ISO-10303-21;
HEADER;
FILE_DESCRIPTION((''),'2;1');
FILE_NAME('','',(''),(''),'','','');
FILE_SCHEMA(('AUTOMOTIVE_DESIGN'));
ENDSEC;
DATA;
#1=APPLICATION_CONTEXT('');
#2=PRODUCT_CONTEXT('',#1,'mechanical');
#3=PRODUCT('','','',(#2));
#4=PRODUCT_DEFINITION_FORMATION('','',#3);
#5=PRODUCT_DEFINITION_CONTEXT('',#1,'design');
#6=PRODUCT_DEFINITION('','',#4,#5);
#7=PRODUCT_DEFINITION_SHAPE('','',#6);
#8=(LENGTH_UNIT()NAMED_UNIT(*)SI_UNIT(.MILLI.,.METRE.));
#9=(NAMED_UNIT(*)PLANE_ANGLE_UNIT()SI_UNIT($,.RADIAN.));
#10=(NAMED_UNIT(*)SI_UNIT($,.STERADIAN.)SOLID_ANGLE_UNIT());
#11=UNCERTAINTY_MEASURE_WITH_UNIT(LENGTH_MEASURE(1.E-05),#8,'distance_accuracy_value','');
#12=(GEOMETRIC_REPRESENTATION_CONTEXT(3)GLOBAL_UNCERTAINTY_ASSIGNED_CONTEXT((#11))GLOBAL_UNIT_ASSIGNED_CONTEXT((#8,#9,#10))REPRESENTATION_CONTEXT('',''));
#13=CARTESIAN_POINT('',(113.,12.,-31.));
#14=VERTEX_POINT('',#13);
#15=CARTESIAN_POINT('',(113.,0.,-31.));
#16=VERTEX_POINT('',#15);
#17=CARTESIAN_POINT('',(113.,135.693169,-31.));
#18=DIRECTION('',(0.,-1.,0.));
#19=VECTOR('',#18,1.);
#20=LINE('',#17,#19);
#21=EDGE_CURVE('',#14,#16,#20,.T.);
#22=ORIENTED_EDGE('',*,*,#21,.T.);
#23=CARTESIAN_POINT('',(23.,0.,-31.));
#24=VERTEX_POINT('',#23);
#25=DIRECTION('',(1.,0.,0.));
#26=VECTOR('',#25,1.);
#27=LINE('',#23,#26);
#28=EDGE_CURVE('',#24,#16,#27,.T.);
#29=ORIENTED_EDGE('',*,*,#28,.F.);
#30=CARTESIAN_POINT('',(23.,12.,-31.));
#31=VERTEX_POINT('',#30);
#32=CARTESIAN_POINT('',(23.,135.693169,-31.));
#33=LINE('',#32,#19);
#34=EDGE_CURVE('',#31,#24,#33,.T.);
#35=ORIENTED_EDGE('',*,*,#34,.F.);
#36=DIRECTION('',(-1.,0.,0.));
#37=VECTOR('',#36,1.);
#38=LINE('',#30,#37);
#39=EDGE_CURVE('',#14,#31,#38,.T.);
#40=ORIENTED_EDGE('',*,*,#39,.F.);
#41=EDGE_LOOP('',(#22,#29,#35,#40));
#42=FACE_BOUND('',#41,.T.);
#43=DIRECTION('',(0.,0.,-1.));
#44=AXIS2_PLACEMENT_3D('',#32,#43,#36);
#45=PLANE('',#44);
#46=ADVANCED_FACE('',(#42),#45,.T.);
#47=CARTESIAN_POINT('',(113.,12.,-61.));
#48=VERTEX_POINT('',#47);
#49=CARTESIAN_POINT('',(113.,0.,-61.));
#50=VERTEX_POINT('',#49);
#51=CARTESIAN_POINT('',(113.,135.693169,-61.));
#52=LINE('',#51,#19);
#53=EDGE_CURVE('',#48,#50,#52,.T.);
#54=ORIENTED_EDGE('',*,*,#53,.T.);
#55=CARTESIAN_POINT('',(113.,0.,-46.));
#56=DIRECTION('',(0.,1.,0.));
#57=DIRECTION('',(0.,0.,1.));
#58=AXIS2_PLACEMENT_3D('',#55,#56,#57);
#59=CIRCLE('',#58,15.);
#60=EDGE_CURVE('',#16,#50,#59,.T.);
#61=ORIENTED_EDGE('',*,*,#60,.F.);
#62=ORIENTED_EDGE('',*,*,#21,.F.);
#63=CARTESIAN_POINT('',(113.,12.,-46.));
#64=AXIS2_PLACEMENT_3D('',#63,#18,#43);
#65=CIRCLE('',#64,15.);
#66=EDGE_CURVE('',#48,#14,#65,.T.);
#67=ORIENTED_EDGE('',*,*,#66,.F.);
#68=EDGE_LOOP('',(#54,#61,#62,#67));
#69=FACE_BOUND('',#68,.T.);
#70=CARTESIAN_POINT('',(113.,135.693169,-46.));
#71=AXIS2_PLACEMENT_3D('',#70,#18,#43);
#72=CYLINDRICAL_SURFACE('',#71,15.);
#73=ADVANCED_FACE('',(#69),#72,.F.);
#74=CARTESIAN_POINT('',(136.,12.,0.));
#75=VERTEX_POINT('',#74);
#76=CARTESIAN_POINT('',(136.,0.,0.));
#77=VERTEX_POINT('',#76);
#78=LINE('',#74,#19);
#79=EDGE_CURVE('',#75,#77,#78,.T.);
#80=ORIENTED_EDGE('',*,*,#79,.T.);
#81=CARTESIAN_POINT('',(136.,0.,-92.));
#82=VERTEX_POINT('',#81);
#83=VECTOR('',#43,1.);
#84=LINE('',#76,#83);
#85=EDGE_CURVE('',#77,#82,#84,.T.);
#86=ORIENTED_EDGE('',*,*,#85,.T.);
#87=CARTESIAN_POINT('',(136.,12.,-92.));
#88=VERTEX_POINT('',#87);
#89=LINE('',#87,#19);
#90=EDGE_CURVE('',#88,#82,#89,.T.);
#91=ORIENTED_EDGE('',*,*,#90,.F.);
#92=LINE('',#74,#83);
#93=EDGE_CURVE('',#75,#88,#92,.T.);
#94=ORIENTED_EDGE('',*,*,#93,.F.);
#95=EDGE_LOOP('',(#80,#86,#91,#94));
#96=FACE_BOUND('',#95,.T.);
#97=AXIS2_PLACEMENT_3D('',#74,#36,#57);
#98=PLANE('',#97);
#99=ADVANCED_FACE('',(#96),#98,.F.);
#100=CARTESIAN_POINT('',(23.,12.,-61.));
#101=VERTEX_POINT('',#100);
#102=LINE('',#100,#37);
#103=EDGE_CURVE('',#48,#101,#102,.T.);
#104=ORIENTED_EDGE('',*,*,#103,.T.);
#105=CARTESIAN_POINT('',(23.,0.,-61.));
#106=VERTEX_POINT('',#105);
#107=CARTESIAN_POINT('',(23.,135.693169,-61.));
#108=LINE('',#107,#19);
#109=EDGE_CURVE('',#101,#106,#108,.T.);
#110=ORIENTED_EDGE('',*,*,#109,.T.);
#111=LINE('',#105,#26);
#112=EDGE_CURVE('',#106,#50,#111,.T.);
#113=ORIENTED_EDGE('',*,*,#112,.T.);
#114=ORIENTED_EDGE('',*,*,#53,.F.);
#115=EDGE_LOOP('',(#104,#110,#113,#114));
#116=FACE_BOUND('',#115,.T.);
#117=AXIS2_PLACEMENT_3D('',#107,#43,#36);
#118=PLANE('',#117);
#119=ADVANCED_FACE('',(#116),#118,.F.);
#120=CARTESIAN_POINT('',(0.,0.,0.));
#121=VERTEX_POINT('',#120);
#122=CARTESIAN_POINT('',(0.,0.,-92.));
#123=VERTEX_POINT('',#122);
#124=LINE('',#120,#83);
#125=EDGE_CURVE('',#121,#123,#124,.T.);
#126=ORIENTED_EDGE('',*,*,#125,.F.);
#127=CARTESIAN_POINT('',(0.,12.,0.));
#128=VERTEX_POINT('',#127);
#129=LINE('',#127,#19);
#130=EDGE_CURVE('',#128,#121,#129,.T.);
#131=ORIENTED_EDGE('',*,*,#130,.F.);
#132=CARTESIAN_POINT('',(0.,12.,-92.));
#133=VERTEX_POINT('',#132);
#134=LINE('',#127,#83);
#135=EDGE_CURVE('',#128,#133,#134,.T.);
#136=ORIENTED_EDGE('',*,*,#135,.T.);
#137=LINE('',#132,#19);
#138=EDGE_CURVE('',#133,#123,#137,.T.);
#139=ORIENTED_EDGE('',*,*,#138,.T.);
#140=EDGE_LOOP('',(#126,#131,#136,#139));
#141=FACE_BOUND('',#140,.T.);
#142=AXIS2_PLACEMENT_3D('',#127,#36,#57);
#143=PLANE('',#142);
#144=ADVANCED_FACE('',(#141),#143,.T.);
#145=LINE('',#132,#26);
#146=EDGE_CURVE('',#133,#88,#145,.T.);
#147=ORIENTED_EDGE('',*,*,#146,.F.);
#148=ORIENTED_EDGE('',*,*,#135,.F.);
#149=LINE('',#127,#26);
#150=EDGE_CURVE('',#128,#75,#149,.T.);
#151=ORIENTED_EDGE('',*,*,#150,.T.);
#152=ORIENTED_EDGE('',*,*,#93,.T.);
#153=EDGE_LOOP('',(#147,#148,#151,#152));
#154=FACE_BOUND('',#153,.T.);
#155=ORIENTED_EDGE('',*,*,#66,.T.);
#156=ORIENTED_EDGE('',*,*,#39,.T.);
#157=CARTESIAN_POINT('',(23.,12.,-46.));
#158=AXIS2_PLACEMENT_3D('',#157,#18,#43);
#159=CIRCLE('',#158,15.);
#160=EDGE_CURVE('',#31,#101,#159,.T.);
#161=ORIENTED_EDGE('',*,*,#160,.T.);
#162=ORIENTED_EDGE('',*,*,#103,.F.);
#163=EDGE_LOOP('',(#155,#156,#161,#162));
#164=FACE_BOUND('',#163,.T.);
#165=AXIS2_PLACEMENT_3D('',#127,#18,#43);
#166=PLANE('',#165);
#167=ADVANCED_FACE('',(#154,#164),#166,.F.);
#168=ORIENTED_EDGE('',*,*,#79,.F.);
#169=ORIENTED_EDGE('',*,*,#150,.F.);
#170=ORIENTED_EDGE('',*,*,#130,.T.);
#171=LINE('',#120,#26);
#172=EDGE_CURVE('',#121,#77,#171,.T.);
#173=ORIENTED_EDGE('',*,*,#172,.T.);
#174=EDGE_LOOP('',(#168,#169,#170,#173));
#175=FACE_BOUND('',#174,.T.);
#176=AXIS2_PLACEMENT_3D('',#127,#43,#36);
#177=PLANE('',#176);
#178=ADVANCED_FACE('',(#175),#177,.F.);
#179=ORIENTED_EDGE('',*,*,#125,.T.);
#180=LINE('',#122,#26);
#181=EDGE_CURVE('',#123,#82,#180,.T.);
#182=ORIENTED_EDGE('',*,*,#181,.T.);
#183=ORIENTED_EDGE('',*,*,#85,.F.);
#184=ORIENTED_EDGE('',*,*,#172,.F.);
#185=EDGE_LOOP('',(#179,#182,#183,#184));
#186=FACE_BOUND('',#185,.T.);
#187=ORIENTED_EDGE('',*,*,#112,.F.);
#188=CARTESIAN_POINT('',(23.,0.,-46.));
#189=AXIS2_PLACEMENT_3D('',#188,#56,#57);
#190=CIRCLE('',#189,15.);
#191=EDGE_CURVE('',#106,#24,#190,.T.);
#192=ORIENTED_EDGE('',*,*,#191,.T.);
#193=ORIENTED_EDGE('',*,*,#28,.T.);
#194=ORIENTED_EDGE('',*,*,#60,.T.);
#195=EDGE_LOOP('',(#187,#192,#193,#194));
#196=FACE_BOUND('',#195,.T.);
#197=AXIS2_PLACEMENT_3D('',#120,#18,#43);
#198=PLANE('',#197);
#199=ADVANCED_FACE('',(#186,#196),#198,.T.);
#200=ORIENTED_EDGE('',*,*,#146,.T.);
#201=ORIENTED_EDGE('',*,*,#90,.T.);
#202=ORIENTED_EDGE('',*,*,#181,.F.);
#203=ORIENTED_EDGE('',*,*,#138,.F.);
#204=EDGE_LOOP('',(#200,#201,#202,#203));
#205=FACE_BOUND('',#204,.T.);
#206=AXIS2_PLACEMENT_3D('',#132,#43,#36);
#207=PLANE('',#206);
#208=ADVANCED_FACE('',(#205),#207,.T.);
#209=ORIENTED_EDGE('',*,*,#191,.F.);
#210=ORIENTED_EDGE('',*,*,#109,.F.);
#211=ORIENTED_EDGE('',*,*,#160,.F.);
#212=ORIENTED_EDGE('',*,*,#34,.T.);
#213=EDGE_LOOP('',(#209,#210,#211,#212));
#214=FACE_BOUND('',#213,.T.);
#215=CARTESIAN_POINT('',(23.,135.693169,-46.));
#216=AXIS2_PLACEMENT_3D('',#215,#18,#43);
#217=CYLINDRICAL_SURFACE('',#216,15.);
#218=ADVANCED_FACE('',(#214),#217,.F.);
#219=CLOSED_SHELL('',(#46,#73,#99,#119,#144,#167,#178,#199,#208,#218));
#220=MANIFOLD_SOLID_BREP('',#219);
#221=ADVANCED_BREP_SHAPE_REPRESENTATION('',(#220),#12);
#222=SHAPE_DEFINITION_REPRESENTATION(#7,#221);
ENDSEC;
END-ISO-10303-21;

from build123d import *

# Parameters (mm, degrees)
SKETCH2_W           = 136
SKETCH2_H           = 92
BOSS_EXTRUDE1_DEPTH = 12
CUT_EXTRUDE1_DEPTH  = 12


with BuildPart() as part:
    # Sketch2 → Boss-Extrude1 (new body)
    with BuildSketch(Plane(origin=(0, 0, 0), x_dir=(1, 0, 0), z_dir=(0, 1, 0))):
        with Locations((68, 46)):
            Rectangle(SKETCH2_W, SKETCH2_H)
    extrude(amount=BOSS_EXTRUDE1_DEPTH)

    # Sketch2<3> → Cut-Extrude1 (cut)
    with BuildSketch(Plane(origin=(0, 0, 0), x_dir=(1, 0, 0), z_dir=(0, 1, 0))):
        with BuildLine():
            Line((23, 61), (113, 61))
            ThreePointArc((113, 61), (128, 46), (113, 31))
            Line((113, 31), (23, 31))
            ThreePointArc((23, 31), (8, 46), (23, 61))
        make_face()
    extrude(amount=CUT_EXTRUDE1_DEPTH, mode=Mode.SUBTRACT)


solid = part.part
